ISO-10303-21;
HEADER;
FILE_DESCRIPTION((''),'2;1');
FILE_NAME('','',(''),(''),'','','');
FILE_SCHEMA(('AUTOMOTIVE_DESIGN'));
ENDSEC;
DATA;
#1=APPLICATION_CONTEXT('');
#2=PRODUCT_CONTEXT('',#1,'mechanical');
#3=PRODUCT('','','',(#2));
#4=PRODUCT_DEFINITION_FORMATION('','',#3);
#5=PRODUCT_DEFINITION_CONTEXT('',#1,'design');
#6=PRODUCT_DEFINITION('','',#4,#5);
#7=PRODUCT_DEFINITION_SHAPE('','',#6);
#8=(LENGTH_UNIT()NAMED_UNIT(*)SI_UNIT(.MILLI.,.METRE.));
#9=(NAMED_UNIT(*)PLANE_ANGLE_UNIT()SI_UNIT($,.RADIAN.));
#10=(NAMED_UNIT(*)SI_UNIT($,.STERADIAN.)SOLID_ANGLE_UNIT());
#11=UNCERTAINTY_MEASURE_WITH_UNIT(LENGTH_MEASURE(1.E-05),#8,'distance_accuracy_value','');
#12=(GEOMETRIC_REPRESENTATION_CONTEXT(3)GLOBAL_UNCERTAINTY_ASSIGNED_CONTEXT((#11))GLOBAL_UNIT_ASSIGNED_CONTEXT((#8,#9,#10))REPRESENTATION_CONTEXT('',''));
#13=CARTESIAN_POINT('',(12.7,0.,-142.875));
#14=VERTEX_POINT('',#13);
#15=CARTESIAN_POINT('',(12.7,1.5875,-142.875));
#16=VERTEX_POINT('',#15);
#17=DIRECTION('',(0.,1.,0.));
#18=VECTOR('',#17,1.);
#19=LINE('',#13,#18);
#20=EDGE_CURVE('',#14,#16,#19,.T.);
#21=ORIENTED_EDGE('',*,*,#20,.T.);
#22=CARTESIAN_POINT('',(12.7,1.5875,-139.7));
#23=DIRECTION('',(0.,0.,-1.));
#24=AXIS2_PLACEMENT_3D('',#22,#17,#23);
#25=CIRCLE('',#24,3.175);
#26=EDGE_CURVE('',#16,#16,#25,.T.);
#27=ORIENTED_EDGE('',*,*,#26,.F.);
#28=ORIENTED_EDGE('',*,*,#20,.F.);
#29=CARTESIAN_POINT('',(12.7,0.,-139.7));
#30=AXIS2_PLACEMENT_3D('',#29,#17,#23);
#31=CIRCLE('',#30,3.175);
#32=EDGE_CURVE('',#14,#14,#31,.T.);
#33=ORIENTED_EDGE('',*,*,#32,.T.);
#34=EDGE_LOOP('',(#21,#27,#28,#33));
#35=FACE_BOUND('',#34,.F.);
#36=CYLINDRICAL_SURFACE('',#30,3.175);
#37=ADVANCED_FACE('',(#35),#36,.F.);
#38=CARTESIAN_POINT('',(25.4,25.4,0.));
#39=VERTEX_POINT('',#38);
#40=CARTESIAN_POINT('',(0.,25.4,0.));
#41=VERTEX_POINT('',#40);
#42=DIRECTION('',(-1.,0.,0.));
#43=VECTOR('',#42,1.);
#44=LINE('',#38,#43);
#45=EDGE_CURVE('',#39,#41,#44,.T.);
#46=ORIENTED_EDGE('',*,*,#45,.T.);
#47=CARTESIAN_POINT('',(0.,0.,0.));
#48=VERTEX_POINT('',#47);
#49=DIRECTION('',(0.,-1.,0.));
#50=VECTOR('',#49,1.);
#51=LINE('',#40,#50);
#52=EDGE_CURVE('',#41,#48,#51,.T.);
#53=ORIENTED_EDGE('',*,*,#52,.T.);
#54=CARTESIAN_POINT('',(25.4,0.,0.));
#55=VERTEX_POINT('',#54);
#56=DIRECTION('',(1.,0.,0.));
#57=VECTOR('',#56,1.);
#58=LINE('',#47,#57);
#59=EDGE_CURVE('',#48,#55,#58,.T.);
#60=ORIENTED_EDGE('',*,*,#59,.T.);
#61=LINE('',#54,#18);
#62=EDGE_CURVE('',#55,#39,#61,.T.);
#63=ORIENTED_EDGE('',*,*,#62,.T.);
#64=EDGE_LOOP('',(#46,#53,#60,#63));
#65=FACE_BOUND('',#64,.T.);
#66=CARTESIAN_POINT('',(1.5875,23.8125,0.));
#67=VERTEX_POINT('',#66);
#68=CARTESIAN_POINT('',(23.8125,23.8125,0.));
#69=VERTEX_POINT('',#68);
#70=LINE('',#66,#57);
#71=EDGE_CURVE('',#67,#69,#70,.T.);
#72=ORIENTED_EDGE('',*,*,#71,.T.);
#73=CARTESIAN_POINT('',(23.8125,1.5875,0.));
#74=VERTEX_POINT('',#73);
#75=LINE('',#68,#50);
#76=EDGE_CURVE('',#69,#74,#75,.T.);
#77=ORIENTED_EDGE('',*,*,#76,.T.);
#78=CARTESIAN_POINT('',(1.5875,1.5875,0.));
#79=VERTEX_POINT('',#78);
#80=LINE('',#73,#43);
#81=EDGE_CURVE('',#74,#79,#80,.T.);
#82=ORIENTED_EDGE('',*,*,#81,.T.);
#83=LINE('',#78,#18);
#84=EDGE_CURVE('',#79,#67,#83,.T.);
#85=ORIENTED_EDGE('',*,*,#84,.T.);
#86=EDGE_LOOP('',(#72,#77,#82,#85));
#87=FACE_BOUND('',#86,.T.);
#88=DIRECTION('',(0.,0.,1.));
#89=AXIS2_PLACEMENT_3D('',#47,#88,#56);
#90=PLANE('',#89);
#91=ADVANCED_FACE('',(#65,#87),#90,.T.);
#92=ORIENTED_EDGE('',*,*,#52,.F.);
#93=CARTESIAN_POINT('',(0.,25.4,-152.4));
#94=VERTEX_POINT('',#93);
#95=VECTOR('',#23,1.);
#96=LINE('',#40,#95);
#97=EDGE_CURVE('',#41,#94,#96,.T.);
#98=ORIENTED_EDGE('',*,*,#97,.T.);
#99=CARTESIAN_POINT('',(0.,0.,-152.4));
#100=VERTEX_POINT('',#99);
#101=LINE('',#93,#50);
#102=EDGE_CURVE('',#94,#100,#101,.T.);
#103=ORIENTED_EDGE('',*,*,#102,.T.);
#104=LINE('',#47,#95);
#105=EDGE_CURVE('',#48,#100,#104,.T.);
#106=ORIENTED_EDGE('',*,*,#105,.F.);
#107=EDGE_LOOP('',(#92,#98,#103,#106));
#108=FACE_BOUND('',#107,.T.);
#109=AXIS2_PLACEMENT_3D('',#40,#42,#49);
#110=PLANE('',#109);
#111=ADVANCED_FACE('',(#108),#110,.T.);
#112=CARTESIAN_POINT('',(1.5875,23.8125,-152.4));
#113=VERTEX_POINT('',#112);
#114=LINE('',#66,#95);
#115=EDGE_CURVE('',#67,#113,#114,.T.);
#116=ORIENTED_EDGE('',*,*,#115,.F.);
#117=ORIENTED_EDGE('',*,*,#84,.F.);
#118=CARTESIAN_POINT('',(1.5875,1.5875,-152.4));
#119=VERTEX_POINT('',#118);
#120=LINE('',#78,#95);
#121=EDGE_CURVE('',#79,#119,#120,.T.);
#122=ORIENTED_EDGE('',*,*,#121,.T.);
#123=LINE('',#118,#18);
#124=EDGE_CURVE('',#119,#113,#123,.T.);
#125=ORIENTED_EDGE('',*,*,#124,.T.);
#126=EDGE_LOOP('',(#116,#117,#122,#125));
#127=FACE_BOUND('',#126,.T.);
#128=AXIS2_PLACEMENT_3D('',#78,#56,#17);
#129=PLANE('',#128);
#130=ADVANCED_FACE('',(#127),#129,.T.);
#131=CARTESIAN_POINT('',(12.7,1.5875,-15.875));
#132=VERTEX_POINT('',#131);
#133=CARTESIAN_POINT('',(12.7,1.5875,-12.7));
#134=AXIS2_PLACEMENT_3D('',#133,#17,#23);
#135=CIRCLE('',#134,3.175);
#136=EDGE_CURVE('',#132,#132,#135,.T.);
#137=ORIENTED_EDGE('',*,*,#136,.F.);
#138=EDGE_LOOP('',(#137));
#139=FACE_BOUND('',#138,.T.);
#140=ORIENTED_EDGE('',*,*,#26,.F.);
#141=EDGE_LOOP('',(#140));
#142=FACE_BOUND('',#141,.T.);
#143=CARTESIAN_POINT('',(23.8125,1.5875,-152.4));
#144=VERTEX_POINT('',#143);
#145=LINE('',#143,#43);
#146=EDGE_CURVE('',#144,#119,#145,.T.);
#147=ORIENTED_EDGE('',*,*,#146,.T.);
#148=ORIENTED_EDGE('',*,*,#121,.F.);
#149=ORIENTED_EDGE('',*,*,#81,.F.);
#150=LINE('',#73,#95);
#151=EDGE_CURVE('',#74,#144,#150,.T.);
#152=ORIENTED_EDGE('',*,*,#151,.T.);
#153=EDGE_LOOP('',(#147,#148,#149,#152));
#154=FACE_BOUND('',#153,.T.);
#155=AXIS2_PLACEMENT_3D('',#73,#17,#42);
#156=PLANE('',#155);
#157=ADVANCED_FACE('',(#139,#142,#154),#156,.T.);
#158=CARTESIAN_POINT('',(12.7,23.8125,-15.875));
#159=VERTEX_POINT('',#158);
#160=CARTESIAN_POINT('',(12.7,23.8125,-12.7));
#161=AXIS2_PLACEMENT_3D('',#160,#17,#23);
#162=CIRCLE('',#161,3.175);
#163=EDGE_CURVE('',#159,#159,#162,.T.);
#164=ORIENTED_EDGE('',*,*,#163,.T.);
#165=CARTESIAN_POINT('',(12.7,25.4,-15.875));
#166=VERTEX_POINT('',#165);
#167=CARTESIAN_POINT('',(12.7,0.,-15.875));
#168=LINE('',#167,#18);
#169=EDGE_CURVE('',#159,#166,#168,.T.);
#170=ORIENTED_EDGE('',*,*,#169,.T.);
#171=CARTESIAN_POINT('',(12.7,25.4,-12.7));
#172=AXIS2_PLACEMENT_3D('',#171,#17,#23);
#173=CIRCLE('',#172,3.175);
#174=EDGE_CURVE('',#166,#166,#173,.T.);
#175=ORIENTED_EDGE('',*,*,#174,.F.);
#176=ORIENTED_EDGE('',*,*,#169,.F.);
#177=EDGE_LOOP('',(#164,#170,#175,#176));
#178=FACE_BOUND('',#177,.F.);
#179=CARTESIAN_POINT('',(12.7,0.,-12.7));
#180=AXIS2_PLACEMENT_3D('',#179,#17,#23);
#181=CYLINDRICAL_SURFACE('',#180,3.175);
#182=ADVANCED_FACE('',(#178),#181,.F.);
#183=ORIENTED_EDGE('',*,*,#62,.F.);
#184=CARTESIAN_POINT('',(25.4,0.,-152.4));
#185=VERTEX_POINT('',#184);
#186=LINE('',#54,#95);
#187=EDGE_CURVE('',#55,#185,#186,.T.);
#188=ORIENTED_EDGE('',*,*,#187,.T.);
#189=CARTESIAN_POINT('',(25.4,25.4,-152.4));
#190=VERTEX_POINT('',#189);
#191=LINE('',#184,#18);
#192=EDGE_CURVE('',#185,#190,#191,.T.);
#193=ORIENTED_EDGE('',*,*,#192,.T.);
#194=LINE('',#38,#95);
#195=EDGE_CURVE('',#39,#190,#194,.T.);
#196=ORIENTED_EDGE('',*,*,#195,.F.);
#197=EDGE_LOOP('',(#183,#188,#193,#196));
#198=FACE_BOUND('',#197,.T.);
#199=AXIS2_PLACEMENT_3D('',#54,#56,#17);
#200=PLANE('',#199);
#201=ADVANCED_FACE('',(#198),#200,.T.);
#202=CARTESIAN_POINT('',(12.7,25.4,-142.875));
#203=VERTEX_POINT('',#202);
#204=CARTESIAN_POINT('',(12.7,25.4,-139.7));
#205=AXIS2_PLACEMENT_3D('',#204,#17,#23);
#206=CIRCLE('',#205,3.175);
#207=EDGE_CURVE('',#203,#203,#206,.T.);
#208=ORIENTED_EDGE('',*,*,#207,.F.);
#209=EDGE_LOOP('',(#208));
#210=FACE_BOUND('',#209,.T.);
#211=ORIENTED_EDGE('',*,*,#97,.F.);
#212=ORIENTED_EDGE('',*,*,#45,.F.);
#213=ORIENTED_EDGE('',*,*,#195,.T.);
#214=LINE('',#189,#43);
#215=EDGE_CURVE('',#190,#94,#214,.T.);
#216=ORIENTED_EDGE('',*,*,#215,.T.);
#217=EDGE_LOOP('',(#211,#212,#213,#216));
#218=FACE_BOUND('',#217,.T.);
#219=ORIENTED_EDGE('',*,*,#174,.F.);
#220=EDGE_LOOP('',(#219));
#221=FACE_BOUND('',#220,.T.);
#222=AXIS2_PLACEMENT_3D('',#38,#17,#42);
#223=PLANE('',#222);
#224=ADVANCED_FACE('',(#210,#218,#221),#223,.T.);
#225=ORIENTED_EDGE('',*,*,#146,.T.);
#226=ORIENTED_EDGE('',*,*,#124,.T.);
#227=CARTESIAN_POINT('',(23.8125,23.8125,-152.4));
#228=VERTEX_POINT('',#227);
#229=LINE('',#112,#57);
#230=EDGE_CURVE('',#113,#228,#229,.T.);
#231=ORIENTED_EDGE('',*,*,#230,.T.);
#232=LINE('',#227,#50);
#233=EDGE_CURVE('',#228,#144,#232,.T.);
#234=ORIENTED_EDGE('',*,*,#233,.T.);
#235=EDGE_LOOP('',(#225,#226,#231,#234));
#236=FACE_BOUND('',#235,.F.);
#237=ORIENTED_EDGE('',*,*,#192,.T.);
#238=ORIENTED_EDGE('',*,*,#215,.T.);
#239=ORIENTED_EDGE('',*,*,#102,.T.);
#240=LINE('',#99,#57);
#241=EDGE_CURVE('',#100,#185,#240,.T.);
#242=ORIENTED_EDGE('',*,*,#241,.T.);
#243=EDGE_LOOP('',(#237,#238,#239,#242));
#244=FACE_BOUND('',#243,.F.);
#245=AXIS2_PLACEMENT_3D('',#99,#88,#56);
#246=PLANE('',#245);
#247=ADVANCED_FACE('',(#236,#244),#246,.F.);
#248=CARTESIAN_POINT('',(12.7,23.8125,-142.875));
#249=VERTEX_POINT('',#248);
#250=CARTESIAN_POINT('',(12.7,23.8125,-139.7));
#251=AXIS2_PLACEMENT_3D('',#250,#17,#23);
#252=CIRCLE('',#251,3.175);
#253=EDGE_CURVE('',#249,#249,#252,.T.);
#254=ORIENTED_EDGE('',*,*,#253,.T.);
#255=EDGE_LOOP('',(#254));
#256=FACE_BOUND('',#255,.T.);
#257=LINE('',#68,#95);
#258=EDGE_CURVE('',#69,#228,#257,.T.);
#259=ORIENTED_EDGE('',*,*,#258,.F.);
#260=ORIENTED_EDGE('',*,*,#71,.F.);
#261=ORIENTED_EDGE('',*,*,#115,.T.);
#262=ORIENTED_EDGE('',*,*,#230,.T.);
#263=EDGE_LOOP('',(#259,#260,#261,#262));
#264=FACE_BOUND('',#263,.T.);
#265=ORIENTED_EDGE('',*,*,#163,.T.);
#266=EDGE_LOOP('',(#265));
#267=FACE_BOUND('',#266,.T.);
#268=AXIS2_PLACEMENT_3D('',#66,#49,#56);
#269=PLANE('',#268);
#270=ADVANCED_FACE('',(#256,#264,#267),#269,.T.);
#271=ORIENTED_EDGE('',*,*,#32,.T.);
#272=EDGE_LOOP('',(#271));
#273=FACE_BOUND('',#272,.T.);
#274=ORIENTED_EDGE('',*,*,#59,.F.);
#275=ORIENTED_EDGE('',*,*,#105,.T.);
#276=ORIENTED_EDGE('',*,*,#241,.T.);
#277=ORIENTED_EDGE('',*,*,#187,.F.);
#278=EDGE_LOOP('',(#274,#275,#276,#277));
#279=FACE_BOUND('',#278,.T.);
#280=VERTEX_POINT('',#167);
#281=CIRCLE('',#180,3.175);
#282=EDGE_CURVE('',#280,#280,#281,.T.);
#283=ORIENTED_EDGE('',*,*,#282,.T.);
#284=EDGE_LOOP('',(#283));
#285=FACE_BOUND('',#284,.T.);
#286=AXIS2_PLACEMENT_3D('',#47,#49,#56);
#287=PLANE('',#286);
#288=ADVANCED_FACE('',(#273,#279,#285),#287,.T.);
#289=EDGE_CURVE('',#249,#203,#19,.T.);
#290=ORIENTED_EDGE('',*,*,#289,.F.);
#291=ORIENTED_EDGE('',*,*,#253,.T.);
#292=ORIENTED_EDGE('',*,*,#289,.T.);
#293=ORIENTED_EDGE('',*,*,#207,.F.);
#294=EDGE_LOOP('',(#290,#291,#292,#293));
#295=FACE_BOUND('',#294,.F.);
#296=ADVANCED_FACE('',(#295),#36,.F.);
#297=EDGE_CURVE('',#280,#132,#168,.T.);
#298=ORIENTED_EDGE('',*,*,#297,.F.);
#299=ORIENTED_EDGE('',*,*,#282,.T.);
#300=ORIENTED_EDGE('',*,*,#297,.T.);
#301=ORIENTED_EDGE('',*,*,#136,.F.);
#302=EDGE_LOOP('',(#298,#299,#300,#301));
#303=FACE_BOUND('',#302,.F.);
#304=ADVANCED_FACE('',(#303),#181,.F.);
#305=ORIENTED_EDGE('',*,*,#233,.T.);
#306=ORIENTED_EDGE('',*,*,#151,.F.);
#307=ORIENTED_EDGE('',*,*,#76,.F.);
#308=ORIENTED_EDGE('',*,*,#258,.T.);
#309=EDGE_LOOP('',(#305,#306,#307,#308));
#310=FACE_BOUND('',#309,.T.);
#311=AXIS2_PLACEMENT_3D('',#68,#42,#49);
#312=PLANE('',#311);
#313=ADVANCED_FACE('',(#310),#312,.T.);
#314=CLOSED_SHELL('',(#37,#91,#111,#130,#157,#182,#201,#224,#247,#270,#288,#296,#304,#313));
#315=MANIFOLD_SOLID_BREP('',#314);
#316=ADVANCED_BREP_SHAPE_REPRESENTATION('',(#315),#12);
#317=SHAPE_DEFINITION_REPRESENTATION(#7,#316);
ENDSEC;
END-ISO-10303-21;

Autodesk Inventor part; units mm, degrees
ref_plane "YZ Plane" through (0, 0, 0) normal (1, 0, 0) x (0, 1, 0)
ref_plane "XZ Plane" through (0, 0, 0) normal (0, 1, 0) x (-1, 0, 0)
ref_plane "XY Plane" through (0, 0, 0) normal (0, 0, 1) x (1, 0, 0)
sketch "Sketch1" plane through (0, 0, 0) normal (0, 0, 1) x (1, 0, 0)
  line L0 (0, 0) -> (25.4, 0)
  line L1 (25.4, 0) -> (25.4, 25.4)
  line L2 (25.4, 25.4) -> (0, 25.4)
  line L3 (0, 25.4) -> (0, 0)
  line L4 (1.5875, 23.8125) -> (23.8125, 23.8125)
  line L5 (23.8125, 23.8125) -> (23.8125, 1.5875)
  line L6 (23.8125, 1.5875) -> (1.5875, 1.5875)
  line L7 (1.5875, 1.5875) -> (1.5875, 23.8125)
  dimension "d0" = 25.4
  dimension "d1" = 25.4
  dimension "d2" = 1.5875
extrude "Extrusion1" add sketch "Sketch1" against normal blind 152.4
sketch "Sketch3" plane through (0, 0, 0) normal (0, -1, 0) x (1, 0, 0)
  line L0 (0, -152.4) -> (25.4, -152.4) projected
  line L1 (0, 0) -> (25.4, 0) projected
  point P0 (12.7, -12.7)
  point P1 (12.7, -139.7)
  dimension "d7" = 12.7
  dimension "d8" = 12.7
hole "Hole2" at (12.7, 0, -12.7) at (12.7, 0, -139.7) direction (0, 1, 0) diameter 6.35 depth 25.4 tip angle 118
properties part number "tube_b_r_out_wheel"
